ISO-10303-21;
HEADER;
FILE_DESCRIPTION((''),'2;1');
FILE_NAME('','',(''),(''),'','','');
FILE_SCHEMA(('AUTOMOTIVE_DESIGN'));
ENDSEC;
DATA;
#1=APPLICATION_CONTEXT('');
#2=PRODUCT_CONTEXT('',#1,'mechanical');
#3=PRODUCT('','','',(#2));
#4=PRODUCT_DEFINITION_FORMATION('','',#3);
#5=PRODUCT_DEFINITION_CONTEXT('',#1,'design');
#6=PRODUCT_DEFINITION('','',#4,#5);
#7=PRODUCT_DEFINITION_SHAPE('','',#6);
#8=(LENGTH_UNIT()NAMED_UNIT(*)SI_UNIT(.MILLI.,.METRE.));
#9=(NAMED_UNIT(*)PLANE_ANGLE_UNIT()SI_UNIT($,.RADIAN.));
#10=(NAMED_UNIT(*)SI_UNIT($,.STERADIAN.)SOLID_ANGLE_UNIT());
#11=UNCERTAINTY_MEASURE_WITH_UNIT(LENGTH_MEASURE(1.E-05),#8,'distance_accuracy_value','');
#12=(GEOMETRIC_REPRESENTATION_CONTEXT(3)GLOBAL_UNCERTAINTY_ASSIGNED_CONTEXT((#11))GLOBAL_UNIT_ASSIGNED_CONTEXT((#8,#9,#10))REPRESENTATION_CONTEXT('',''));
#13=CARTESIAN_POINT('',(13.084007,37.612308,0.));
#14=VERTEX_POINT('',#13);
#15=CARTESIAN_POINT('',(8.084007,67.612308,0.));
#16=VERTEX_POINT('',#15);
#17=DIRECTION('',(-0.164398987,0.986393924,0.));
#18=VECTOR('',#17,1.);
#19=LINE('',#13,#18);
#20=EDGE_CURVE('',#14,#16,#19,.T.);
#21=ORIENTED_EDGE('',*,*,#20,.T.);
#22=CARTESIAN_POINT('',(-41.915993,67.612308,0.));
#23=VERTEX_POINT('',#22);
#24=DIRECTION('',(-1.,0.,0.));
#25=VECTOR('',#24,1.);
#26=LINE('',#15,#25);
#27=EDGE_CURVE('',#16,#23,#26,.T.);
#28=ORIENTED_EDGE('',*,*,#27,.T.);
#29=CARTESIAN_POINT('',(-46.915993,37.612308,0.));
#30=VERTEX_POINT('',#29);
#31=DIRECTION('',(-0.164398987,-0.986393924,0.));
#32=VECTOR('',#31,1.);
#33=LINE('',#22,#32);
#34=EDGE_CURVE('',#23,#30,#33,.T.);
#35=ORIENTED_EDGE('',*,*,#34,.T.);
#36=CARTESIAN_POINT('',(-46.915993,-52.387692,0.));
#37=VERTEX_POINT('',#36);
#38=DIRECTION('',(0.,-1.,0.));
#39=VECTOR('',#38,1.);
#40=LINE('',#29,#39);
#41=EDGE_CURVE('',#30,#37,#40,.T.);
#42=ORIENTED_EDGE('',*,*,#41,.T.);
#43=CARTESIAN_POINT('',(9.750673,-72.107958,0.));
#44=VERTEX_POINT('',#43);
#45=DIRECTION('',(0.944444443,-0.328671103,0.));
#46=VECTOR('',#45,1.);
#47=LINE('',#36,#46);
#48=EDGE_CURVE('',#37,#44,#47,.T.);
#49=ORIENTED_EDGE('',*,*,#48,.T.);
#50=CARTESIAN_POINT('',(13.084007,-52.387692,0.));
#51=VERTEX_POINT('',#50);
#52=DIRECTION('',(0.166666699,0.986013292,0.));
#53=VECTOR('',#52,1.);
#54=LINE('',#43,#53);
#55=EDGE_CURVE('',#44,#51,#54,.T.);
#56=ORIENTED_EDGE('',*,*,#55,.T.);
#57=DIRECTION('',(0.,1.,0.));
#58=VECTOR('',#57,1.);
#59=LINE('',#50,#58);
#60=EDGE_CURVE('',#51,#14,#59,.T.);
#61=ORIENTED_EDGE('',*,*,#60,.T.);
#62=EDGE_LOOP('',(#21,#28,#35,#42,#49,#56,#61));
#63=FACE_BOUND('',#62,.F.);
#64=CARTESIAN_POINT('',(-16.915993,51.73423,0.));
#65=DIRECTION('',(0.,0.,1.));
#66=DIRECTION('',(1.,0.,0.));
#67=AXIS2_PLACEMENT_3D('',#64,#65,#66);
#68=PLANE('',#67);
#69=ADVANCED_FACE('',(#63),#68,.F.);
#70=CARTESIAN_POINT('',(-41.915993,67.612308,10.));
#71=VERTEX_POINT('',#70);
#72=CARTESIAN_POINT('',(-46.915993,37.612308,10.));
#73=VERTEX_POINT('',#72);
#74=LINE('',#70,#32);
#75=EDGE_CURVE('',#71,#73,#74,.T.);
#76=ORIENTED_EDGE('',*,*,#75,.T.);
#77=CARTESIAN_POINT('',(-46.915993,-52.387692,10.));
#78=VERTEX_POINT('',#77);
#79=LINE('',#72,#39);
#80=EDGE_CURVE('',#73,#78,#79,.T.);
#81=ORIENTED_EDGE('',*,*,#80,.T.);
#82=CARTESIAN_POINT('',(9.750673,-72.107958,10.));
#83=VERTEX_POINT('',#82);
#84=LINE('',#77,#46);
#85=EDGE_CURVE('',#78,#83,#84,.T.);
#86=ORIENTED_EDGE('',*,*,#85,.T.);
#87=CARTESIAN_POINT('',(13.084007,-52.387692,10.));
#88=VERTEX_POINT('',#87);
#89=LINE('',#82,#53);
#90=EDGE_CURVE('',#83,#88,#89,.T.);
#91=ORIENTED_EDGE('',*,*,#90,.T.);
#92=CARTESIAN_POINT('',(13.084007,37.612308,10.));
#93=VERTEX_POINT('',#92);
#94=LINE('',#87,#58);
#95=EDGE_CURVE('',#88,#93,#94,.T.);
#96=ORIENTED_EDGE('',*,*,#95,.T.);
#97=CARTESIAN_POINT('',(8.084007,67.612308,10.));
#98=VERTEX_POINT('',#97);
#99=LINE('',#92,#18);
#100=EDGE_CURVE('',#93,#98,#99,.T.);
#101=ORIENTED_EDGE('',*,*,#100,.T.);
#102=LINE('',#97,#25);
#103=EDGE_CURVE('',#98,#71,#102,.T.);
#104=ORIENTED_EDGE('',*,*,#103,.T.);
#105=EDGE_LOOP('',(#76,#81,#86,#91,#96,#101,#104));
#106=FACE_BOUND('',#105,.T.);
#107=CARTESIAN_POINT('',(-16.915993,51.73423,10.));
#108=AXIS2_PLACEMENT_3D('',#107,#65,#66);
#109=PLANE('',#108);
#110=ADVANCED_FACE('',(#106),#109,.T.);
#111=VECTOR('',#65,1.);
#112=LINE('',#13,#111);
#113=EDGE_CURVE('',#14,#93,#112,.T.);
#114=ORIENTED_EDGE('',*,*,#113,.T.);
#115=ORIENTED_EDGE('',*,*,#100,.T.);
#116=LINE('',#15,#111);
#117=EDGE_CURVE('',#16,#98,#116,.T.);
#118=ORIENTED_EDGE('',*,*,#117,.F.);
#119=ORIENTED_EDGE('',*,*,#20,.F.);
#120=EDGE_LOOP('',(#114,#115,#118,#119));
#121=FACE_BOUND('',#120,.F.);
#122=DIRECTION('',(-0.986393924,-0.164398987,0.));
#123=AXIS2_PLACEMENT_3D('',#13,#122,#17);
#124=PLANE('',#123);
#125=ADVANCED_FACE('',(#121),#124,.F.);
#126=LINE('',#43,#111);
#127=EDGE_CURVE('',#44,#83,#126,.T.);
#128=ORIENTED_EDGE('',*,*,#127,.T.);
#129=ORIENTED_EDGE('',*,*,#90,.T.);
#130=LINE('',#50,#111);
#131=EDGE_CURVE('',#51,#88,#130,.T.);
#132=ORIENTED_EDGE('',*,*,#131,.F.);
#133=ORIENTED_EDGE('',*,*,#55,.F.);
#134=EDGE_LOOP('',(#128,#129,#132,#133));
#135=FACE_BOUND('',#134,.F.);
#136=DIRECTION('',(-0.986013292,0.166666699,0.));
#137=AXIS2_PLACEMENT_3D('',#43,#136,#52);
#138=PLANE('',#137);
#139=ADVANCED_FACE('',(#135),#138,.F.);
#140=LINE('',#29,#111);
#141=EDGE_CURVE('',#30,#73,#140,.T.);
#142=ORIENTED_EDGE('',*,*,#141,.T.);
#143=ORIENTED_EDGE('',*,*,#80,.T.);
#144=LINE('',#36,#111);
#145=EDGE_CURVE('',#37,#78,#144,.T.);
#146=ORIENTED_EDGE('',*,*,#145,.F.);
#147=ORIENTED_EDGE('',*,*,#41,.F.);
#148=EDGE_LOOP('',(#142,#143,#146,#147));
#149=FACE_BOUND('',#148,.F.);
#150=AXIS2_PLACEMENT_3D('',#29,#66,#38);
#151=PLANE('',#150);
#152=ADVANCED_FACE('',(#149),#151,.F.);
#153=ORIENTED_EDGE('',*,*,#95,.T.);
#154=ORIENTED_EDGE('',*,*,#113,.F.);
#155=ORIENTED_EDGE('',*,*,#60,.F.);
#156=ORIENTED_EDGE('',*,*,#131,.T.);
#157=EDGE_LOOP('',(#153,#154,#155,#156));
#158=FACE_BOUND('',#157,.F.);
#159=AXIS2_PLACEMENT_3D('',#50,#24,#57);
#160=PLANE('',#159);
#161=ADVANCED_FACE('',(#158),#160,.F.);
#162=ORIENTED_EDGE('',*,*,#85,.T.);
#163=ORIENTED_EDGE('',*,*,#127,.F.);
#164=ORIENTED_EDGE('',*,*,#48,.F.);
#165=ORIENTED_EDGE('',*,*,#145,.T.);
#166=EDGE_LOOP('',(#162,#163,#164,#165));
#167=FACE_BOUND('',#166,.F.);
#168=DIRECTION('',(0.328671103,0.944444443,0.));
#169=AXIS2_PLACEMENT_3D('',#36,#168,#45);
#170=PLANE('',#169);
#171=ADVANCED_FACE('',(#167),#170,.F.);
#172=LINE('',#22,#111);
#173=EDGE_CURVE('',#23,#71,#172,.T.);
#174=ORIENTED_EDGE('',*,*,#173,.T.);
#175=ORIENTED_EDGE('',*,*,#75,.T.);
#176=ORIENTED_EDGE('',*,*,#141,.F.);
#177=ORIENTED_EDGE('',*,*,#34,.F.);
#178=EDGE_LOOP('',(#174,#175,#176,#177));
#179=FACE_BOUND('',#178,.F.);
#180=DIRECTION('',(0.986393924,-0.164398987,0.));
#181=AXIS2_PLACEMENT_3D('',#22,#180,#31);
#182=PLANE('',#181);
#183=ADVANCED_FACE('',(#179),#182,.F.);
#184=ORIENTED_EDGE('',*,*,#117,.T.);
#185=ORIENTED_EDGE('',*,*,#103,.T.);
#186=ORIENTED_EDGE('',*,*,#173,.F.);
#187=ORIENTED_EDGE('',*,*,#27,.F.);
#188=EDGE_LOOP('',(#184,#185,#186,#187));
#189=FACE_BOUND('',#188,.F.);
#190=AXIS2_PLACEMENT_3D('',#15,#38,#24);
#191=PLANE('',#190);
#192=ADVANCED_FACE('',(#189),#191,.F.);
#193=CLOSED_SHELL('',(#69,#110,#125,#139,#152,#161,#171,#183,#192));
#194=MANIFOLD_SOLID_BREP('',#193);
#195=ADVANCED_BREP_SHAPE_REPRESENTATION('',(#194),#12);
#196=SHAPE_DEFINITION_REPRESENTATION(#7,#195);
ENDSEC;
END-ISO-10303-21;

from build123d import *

# Parameters (mm, degrees)
F0_W     = 60
F0_H     = 45
F1_DEPTH = 10


with BuildPart() as f1:
    # F0 (on Top) → F1 (new body)
    with BuildSketch(Plane.XY):
        Polygon((-41.915993, 67.612308), (-46.915993, 37.612308), (13.084007, 37.612308), (8.084007, 67.612308), align=None)
        with Locations((-16.915993, 15.112308)):
            Rectangle(F0_W, F0_H)
        with Locations((-16.915993, -29.887692)):
            Rectangle(F0_W, F0_H)
        Polygon((13.084007, -52.387692), (-46.915993, -52.387692), (9.750673, -72.107958), align=None)
    extrude(amount=F1_DEPTH)


solid = f1.part
